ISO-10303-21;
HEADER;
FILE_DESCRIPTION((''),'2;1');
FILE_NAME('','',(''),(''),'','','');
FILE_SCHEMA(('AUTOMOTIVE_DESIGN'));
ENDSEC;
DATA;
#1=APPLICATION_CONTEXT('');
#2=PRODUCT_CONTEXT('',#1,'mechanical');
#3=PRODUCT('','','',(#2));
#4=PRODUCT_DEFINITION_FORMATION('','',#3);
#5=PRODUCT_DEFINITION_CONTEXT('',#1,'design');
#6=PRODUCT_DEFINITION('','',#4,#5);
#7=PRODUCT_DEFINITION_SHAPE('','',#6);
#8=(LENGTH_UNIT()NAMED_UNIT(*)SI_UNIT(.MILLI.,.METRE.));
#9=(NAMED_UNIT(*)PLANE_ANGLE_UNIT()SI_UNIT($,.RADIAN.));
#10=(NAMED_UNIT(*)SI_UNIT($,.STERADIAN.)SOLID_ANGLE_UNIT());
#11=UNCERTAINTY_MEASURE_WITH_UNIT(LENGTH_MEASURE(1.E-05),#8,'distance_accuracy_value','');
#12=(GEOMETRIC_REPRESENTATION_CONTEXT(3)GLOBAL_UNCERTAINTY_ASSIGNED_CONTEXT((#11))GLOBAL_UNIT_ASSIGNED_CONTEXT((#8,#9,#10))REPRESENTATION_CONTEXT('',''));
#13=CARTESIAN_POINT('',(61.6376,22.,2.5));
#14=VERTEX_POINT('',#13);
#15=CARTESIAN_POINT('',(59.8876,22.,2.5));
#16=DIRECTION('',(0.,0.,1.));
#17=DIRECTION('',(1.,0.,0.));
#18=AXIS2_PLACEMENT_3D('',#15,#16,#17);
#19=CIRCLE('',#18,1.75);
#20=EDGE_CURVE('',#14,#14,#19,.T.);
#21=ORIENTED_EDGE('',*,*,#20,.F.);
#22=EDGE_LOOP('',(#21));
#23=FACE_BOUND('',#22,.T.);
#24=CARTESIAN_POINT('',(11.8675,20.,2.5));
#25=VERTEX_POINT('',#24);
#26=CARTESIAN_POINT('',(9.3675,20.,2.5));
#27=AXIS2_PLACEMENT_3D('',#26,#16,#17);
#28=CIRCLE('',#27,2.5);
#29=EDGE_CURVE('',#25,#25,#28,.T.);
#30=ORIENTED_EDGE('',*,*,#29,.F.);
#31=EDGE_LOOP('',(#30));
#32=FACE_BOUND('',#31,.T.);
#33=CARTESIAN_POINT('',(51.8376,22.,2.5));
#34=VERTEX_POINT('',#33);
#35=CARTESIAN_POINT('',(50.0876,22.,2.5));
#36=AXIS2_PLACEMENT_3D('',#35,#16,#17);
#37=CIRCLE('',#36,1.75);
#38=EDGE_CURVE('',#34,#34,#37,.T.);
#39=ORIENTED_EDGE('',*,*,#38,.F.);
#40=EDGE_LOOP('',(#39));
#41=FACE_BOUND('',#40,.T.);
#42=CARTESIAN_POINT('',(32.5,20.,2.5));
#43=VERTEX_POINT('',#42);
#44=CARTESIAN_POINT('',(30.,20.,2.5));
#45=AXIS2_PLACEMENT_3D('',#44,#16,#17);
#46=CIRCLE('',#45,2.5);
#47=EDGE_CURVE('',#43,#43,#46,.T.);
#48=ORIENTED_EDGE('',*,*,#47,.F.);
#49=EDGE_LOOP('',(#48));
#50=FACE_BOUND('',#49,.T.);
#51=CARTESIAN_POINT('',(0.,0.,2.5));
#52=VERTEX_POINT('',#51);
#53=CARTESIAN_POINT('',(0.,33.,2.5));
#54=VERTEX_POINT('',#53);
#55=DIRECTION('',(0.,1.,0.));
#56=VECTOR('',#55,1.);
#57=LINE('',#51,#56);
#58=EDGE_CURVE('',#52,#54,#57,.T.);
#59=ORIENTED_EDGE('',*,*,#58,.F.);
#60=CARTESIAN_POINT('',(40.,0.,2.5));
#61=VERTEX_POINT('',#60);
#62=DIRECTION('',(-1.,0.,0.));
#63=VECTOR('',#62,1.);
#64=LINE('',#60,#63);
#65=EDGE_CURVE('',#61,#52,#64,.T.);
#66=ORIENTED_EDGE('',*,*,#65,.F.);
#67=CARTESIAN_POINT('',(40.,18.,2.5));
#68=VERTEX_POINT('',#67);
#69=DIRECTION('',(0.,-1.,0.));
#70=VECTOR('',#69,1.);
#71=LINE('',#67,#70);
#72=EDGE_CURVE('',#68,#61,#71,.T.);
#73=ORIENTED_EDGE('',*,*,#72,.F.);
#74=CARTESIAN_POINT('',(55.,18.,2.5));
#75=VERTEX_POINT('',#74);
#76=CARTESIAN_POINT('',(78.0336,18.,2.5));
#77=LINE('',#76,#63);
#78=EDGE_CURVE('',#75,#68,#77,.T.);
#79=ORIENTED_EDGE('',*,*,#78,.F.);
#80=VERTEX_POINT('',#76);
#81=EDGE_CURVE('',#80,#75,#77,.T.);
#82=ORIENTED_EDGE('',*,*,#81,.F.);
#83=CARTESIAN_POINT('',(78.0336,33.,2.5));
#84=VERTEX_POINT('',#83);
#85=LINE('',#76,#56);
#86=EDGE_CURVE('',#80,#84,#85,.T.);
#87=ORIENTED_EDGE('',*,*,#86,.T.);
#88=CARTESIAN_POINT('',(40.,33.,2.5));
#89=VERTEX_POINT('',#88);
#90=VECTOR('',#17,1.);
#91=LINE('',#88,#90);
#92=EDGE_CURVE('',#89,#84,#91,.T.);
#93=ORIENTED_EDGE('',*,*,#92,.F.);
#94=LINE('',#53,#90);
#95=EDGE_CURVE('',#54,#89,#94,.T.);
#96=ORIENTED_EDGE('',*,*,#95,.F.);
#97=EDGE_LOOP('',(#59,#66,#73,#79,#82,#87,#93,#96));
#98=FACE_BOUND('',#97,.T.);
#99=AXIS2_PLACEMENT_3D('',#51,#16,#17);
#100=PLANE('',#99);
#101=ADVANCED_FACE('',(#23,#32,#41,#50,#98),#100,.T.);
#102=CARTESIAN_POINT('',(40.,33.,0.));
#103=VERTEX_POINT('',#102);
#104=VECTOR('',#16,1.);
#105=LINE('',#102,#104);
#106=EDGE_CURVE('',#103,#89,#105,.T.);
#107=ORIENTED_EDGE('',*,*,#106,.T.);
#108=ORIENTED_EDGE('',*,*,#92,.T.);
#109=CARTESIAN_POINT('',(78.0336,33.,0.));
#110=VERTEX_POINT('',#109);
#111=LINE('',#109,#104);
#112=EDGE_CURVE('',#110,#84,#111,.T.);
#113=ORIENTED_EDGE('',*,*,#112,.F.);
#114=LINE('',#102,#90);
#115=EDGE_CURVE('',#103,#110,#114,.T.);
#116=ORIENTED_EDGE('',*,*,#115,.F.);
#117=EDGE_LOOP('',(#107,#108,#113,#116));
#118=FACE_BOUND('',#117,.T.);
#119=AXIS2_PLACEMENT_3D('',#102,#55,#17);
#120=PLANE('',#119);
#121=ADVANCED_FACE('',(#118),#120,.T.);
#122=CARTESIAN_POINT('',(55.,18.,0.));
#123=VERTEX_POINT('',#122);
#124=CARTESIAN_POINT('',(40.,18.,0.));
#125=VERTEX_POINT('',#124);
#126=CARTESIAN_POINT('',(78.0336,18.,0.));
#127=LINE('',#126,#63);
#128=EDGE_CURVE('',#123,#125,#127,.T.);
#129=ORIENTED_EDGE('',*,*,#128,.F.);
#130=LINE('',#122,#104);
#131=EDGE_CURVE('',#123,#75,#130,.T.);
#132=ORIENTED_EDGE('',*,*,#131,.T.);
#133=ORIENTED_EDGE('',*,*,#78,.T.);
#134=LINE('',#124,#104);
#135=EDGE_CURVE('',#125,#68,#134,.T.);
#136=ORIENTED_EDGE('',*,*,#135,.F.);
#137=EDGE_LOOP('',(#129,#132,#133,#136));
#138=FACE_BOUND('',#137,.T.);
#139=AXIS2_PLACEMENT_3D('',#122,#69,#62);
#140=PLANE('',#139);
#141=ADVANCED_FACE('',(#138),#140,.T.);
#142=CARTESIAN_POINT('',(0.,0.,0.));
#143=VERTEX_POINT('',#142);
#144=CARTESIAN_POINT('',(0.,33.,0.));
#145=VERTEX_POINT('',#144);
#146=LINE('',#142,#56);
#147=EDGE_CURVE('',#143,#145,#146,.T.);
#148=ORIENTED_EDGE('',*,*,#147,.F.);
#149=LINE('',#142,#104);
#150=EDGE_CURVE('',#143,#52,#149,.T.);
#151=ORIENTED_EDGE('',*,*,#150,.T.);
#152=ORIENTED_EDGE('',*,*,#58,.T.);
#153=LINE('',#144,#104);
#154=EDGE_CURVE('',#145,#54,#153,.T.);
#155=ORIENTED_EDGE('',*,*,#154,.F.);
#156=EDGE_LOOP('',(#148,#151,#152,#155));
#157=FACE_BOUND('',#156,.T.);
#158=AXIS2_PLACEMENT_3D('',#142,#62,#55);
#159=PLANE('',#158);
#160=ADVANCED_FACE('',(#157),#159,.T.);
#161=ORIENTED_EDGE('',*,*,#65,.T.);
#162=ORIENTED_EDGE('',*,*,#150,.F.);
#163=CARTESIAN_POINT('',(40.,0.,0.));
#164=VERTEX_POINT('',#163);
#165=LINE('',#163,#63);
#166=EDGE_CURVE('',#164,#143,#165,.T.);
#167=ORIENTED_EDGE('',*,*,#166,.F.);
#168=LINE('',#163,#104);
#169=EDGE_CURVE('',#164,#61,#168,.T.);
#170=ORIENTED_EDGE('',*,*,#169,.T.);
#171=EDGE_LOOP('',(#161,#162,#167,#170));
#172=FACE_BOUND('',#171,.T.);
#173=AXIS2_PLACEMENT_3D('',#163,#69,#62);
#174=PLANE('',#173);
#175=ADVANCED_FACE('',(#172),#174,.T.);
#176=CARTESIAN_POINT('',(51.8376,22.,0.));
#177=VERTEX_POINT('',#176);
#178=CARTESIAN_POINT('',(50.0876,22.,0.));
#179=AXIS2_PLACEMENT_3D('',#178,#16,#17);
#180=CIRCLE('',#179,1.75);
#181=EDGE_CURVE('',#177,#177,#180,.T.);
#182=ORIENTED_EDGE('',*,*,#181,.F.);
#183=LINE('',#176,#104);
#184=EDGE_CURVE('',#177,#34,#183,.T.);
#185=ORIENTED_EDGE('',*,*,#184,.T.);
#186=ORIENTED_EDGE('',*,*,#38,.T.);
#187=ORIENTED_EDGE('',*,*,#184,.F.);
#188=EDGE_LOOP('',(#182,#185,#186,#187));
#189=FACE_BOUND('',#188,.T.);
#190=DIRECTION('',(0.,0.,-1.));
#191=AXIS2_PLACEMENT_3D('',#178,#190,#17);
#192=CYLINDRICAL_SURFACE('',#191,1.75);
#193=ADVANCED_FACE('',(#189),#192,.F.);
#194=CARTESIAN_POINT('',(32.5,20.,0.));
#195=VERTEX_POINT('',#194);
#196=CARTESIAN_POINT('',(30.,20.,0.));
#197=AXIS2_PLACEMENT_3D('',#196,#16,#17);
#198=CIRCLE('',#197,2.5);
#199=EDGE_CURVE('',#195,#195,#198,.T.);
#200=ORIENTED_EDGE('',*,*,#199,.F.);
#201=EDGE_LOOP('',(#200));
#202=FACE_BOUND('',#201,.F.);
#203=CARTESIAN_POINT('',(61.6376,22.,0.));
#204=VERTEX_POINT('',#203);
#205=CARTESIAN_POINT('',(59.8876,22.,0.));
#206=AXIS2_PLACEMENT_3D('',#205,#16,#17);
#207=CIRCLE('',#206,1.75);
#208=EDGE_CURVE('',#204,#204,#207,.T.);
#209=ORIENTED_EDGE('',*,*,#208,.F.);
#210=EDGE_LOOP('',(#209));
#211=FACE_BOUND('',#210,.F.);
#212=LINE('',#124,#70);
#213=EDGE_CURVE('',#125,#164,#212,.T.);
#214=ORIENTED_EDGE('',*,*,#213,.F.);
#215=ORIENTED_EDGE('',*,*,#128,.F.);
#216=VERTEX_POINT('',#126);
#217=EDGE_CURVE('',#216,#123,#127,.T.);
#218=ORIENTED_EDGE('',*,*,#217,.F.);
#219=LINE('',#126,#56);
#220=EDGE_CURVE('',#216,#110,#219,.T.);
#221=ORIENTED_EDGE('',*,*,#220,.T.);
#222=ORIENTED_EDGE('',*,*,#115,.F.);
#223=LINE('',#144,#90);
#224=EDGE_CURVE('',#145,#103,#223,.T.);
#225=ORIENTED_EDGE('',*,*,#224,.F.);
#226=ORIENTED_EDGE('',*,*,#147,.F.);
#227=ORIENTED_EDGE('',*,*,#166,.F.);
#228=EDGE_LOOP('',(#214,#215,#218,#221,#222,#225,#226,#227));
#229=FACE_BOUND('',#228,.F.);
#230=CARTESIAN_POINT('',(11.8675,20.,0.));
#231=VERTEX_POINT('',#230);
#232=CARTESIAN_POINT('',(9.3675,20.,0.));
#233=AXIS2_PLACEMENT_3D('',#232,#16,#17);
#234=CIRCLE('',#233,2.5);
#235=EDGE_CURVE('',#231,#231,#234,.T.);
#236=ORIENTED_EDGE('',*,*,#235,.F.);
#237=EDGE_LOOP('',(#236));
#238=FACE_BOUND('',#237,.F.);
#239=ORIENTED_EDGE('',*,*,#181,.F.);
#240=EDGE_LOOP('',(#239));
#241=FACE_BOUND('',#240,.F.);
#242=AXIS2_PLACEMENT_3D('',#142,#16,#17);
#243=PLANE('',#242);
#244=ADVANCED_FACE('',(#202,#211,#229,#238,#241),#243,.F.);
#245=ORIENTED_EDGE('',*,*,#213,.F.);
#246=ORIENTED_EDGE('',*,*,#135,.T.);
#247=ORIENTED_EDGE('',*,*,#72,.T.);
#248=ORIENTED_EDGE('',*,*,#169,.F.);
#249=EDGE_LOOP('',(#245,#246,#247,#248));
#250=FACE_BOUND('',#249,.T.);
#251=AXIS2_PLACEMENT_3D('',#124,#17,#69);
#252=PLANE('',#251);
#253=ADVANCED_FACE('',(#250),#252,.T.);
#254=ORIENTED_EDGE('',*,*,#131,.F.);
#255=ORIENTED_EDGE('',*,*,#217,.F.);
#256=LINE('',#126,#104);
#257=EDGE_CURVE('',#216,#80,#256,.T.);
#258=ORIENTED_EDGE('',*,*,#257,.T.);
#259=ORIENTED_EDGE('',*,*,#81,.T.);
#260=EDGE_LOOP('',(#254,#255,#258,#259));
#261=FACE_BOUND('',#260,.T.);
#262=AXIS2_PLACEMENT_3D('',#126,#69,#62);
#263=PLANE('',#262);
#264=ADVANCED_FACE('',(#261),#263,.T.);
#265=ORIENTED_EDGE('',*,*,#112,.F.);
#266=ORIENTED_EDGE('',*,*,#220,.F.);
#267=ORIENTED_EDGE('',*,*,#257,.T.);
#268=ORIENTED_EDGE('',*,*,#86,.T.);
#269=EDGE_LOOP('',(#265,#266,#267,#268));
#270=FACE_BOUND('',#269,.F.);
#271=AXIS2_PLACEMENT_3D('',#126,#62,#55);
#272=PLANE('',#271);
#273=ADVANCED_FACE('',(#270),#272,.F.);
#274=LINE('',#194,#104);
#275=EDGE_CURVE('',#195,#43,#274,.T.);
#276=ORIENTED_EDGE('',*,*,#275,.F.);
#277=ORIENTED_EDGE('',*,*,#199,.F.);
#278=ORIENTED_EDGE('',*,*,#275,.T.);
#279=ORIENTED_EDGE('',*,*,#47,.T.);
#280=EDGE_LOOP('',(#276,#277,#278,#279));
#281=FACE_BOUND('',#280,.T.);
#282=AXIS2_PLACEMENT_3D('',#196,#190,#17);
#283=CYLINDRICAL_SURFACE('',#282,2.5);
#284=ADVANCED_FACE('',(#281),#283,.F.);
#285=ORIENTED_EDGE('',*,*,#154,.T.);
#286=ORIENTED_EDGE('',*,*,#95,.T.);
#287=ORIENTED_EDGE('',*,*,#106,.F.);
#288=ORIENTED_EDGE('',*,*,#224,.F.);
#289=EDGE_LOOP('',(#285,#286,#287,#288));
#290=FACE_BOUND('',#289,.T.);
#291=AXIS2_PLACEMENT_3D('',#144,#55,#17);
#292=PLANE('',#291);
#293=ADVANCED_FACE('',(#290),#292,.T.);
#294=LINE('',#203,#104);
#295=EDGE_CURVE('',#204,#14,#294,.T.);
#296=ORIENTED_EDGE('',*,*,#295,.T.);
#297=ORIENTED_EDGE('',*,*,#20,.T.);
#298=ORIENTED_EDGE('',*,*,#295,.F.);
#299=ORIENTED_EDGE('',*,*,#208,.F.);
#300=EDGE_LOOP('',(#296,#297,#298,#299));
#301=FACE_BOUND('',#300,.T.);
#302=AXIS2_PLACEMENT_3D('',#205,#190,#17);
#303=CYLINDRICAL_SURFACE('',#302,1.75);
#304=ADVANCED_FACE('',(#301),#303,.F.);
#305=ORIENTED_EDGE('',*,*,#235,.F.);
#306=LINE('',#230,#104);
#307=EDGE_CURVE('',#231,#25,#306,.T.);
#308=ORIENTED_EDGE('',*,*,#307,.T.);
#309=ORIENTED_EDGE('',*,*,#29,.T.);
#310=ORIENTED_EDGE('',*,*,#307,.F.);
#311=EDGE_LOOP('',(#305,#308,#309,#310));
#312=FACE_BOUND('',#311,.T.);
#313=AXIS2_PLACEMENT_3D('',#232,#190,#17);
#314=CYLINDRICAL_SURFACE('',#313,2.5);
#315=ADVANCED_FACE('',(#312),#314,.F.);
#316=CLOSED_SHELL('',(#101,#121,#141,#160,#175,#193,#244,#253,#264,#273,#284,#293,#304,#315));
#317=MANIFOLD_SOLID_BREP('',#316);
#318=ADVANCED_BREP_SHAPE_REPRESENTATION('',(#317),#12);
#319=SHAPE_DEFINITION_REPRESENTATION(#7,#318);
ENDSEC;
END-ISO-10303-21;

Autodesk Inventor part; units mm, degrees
ref_plane "YZ Plane" through (0, 0, 0) normal (1, 0, 0) x (0, 1, 0)
ref_plane "XZ Plane" through (0, 0, 0) normal (0, 1, 0) x (-1, 0, 0)
ref_plane "XY Plane" through (0, 0, 0) normal (0, 0, 1) x (1, 0, 0)
sketch "Sketch1" plane through (0, 0, 0) normal (0, 0, 1) x (1, 0, 0)
  line L0 (0, 0) -> (0, 33)
  line L1 (0, 33) -> (40, 33)
  line L2 (40, 33) -> (78.0336, 33)
  line L3 (78.0336, 18) -> (40, 18)
  line L4 (40, 18) -> (40, 0)
  line L5 (40, 0) -> (0, 0)
  circle A0 centre (9.3675, 20) radius 2.5
  circle A1 centre (30, 20) radius 2.5
  circle A2 centre (50.0876, 22) radius 1.75
  circle A3 centre (59.8876, 22) radius 1.75
  line L6 (40, 18) -> (55, 18)
  line L7 (78.0336, 18) -> (78.0336, 33)
  point P0 (0, 16.5)
  dimension "d0" = 40
  dimension "d1" = 33
  dimension "d2" = 5
  dimension "d3" = 5
  dimension "d4" = 10
  dimension "d5" = 10
  dimension "d6" = 20
  dimension "d7" = 20
  dimension "d9" = 3.5
  dimension "d10" = 3.5
  dimension "d11" = 9.8
  dimension "d12" = 4
  dimension "d15" = 15
extrude "Extrusion1" add sketch "Sketch1" along normal blind 2.5
sketch "Sketch3" plane through (0, 0, 2.5) normal (0, 0, 1) x (1, 0, 0)
  point P0 (0, 0)
sketch "Sketch4" plane through (0, 0, 2.5) normal (0, 0, 1) x (1, 0, 0)
  point P0 (0, 0)
equation "\"BendRadius\" = Thickness"
equation "\"BendReliefWidth\" = Thickness"
equation "\"BendReliefDepth\" = 0.5 * Thickness"
equation "\"CornerReliefSize\" = 4 * Thickness"
equation "\"MinimumRemnant\" = 2 * Thickness"
equation "\"TransitionRadius\" = BendRadius"
equation "\"JacobiRadiusSize\" = BendRadius"
equation "\"GapSize\" = Thickness"
equation "\"Thickness\" = 0.5"
